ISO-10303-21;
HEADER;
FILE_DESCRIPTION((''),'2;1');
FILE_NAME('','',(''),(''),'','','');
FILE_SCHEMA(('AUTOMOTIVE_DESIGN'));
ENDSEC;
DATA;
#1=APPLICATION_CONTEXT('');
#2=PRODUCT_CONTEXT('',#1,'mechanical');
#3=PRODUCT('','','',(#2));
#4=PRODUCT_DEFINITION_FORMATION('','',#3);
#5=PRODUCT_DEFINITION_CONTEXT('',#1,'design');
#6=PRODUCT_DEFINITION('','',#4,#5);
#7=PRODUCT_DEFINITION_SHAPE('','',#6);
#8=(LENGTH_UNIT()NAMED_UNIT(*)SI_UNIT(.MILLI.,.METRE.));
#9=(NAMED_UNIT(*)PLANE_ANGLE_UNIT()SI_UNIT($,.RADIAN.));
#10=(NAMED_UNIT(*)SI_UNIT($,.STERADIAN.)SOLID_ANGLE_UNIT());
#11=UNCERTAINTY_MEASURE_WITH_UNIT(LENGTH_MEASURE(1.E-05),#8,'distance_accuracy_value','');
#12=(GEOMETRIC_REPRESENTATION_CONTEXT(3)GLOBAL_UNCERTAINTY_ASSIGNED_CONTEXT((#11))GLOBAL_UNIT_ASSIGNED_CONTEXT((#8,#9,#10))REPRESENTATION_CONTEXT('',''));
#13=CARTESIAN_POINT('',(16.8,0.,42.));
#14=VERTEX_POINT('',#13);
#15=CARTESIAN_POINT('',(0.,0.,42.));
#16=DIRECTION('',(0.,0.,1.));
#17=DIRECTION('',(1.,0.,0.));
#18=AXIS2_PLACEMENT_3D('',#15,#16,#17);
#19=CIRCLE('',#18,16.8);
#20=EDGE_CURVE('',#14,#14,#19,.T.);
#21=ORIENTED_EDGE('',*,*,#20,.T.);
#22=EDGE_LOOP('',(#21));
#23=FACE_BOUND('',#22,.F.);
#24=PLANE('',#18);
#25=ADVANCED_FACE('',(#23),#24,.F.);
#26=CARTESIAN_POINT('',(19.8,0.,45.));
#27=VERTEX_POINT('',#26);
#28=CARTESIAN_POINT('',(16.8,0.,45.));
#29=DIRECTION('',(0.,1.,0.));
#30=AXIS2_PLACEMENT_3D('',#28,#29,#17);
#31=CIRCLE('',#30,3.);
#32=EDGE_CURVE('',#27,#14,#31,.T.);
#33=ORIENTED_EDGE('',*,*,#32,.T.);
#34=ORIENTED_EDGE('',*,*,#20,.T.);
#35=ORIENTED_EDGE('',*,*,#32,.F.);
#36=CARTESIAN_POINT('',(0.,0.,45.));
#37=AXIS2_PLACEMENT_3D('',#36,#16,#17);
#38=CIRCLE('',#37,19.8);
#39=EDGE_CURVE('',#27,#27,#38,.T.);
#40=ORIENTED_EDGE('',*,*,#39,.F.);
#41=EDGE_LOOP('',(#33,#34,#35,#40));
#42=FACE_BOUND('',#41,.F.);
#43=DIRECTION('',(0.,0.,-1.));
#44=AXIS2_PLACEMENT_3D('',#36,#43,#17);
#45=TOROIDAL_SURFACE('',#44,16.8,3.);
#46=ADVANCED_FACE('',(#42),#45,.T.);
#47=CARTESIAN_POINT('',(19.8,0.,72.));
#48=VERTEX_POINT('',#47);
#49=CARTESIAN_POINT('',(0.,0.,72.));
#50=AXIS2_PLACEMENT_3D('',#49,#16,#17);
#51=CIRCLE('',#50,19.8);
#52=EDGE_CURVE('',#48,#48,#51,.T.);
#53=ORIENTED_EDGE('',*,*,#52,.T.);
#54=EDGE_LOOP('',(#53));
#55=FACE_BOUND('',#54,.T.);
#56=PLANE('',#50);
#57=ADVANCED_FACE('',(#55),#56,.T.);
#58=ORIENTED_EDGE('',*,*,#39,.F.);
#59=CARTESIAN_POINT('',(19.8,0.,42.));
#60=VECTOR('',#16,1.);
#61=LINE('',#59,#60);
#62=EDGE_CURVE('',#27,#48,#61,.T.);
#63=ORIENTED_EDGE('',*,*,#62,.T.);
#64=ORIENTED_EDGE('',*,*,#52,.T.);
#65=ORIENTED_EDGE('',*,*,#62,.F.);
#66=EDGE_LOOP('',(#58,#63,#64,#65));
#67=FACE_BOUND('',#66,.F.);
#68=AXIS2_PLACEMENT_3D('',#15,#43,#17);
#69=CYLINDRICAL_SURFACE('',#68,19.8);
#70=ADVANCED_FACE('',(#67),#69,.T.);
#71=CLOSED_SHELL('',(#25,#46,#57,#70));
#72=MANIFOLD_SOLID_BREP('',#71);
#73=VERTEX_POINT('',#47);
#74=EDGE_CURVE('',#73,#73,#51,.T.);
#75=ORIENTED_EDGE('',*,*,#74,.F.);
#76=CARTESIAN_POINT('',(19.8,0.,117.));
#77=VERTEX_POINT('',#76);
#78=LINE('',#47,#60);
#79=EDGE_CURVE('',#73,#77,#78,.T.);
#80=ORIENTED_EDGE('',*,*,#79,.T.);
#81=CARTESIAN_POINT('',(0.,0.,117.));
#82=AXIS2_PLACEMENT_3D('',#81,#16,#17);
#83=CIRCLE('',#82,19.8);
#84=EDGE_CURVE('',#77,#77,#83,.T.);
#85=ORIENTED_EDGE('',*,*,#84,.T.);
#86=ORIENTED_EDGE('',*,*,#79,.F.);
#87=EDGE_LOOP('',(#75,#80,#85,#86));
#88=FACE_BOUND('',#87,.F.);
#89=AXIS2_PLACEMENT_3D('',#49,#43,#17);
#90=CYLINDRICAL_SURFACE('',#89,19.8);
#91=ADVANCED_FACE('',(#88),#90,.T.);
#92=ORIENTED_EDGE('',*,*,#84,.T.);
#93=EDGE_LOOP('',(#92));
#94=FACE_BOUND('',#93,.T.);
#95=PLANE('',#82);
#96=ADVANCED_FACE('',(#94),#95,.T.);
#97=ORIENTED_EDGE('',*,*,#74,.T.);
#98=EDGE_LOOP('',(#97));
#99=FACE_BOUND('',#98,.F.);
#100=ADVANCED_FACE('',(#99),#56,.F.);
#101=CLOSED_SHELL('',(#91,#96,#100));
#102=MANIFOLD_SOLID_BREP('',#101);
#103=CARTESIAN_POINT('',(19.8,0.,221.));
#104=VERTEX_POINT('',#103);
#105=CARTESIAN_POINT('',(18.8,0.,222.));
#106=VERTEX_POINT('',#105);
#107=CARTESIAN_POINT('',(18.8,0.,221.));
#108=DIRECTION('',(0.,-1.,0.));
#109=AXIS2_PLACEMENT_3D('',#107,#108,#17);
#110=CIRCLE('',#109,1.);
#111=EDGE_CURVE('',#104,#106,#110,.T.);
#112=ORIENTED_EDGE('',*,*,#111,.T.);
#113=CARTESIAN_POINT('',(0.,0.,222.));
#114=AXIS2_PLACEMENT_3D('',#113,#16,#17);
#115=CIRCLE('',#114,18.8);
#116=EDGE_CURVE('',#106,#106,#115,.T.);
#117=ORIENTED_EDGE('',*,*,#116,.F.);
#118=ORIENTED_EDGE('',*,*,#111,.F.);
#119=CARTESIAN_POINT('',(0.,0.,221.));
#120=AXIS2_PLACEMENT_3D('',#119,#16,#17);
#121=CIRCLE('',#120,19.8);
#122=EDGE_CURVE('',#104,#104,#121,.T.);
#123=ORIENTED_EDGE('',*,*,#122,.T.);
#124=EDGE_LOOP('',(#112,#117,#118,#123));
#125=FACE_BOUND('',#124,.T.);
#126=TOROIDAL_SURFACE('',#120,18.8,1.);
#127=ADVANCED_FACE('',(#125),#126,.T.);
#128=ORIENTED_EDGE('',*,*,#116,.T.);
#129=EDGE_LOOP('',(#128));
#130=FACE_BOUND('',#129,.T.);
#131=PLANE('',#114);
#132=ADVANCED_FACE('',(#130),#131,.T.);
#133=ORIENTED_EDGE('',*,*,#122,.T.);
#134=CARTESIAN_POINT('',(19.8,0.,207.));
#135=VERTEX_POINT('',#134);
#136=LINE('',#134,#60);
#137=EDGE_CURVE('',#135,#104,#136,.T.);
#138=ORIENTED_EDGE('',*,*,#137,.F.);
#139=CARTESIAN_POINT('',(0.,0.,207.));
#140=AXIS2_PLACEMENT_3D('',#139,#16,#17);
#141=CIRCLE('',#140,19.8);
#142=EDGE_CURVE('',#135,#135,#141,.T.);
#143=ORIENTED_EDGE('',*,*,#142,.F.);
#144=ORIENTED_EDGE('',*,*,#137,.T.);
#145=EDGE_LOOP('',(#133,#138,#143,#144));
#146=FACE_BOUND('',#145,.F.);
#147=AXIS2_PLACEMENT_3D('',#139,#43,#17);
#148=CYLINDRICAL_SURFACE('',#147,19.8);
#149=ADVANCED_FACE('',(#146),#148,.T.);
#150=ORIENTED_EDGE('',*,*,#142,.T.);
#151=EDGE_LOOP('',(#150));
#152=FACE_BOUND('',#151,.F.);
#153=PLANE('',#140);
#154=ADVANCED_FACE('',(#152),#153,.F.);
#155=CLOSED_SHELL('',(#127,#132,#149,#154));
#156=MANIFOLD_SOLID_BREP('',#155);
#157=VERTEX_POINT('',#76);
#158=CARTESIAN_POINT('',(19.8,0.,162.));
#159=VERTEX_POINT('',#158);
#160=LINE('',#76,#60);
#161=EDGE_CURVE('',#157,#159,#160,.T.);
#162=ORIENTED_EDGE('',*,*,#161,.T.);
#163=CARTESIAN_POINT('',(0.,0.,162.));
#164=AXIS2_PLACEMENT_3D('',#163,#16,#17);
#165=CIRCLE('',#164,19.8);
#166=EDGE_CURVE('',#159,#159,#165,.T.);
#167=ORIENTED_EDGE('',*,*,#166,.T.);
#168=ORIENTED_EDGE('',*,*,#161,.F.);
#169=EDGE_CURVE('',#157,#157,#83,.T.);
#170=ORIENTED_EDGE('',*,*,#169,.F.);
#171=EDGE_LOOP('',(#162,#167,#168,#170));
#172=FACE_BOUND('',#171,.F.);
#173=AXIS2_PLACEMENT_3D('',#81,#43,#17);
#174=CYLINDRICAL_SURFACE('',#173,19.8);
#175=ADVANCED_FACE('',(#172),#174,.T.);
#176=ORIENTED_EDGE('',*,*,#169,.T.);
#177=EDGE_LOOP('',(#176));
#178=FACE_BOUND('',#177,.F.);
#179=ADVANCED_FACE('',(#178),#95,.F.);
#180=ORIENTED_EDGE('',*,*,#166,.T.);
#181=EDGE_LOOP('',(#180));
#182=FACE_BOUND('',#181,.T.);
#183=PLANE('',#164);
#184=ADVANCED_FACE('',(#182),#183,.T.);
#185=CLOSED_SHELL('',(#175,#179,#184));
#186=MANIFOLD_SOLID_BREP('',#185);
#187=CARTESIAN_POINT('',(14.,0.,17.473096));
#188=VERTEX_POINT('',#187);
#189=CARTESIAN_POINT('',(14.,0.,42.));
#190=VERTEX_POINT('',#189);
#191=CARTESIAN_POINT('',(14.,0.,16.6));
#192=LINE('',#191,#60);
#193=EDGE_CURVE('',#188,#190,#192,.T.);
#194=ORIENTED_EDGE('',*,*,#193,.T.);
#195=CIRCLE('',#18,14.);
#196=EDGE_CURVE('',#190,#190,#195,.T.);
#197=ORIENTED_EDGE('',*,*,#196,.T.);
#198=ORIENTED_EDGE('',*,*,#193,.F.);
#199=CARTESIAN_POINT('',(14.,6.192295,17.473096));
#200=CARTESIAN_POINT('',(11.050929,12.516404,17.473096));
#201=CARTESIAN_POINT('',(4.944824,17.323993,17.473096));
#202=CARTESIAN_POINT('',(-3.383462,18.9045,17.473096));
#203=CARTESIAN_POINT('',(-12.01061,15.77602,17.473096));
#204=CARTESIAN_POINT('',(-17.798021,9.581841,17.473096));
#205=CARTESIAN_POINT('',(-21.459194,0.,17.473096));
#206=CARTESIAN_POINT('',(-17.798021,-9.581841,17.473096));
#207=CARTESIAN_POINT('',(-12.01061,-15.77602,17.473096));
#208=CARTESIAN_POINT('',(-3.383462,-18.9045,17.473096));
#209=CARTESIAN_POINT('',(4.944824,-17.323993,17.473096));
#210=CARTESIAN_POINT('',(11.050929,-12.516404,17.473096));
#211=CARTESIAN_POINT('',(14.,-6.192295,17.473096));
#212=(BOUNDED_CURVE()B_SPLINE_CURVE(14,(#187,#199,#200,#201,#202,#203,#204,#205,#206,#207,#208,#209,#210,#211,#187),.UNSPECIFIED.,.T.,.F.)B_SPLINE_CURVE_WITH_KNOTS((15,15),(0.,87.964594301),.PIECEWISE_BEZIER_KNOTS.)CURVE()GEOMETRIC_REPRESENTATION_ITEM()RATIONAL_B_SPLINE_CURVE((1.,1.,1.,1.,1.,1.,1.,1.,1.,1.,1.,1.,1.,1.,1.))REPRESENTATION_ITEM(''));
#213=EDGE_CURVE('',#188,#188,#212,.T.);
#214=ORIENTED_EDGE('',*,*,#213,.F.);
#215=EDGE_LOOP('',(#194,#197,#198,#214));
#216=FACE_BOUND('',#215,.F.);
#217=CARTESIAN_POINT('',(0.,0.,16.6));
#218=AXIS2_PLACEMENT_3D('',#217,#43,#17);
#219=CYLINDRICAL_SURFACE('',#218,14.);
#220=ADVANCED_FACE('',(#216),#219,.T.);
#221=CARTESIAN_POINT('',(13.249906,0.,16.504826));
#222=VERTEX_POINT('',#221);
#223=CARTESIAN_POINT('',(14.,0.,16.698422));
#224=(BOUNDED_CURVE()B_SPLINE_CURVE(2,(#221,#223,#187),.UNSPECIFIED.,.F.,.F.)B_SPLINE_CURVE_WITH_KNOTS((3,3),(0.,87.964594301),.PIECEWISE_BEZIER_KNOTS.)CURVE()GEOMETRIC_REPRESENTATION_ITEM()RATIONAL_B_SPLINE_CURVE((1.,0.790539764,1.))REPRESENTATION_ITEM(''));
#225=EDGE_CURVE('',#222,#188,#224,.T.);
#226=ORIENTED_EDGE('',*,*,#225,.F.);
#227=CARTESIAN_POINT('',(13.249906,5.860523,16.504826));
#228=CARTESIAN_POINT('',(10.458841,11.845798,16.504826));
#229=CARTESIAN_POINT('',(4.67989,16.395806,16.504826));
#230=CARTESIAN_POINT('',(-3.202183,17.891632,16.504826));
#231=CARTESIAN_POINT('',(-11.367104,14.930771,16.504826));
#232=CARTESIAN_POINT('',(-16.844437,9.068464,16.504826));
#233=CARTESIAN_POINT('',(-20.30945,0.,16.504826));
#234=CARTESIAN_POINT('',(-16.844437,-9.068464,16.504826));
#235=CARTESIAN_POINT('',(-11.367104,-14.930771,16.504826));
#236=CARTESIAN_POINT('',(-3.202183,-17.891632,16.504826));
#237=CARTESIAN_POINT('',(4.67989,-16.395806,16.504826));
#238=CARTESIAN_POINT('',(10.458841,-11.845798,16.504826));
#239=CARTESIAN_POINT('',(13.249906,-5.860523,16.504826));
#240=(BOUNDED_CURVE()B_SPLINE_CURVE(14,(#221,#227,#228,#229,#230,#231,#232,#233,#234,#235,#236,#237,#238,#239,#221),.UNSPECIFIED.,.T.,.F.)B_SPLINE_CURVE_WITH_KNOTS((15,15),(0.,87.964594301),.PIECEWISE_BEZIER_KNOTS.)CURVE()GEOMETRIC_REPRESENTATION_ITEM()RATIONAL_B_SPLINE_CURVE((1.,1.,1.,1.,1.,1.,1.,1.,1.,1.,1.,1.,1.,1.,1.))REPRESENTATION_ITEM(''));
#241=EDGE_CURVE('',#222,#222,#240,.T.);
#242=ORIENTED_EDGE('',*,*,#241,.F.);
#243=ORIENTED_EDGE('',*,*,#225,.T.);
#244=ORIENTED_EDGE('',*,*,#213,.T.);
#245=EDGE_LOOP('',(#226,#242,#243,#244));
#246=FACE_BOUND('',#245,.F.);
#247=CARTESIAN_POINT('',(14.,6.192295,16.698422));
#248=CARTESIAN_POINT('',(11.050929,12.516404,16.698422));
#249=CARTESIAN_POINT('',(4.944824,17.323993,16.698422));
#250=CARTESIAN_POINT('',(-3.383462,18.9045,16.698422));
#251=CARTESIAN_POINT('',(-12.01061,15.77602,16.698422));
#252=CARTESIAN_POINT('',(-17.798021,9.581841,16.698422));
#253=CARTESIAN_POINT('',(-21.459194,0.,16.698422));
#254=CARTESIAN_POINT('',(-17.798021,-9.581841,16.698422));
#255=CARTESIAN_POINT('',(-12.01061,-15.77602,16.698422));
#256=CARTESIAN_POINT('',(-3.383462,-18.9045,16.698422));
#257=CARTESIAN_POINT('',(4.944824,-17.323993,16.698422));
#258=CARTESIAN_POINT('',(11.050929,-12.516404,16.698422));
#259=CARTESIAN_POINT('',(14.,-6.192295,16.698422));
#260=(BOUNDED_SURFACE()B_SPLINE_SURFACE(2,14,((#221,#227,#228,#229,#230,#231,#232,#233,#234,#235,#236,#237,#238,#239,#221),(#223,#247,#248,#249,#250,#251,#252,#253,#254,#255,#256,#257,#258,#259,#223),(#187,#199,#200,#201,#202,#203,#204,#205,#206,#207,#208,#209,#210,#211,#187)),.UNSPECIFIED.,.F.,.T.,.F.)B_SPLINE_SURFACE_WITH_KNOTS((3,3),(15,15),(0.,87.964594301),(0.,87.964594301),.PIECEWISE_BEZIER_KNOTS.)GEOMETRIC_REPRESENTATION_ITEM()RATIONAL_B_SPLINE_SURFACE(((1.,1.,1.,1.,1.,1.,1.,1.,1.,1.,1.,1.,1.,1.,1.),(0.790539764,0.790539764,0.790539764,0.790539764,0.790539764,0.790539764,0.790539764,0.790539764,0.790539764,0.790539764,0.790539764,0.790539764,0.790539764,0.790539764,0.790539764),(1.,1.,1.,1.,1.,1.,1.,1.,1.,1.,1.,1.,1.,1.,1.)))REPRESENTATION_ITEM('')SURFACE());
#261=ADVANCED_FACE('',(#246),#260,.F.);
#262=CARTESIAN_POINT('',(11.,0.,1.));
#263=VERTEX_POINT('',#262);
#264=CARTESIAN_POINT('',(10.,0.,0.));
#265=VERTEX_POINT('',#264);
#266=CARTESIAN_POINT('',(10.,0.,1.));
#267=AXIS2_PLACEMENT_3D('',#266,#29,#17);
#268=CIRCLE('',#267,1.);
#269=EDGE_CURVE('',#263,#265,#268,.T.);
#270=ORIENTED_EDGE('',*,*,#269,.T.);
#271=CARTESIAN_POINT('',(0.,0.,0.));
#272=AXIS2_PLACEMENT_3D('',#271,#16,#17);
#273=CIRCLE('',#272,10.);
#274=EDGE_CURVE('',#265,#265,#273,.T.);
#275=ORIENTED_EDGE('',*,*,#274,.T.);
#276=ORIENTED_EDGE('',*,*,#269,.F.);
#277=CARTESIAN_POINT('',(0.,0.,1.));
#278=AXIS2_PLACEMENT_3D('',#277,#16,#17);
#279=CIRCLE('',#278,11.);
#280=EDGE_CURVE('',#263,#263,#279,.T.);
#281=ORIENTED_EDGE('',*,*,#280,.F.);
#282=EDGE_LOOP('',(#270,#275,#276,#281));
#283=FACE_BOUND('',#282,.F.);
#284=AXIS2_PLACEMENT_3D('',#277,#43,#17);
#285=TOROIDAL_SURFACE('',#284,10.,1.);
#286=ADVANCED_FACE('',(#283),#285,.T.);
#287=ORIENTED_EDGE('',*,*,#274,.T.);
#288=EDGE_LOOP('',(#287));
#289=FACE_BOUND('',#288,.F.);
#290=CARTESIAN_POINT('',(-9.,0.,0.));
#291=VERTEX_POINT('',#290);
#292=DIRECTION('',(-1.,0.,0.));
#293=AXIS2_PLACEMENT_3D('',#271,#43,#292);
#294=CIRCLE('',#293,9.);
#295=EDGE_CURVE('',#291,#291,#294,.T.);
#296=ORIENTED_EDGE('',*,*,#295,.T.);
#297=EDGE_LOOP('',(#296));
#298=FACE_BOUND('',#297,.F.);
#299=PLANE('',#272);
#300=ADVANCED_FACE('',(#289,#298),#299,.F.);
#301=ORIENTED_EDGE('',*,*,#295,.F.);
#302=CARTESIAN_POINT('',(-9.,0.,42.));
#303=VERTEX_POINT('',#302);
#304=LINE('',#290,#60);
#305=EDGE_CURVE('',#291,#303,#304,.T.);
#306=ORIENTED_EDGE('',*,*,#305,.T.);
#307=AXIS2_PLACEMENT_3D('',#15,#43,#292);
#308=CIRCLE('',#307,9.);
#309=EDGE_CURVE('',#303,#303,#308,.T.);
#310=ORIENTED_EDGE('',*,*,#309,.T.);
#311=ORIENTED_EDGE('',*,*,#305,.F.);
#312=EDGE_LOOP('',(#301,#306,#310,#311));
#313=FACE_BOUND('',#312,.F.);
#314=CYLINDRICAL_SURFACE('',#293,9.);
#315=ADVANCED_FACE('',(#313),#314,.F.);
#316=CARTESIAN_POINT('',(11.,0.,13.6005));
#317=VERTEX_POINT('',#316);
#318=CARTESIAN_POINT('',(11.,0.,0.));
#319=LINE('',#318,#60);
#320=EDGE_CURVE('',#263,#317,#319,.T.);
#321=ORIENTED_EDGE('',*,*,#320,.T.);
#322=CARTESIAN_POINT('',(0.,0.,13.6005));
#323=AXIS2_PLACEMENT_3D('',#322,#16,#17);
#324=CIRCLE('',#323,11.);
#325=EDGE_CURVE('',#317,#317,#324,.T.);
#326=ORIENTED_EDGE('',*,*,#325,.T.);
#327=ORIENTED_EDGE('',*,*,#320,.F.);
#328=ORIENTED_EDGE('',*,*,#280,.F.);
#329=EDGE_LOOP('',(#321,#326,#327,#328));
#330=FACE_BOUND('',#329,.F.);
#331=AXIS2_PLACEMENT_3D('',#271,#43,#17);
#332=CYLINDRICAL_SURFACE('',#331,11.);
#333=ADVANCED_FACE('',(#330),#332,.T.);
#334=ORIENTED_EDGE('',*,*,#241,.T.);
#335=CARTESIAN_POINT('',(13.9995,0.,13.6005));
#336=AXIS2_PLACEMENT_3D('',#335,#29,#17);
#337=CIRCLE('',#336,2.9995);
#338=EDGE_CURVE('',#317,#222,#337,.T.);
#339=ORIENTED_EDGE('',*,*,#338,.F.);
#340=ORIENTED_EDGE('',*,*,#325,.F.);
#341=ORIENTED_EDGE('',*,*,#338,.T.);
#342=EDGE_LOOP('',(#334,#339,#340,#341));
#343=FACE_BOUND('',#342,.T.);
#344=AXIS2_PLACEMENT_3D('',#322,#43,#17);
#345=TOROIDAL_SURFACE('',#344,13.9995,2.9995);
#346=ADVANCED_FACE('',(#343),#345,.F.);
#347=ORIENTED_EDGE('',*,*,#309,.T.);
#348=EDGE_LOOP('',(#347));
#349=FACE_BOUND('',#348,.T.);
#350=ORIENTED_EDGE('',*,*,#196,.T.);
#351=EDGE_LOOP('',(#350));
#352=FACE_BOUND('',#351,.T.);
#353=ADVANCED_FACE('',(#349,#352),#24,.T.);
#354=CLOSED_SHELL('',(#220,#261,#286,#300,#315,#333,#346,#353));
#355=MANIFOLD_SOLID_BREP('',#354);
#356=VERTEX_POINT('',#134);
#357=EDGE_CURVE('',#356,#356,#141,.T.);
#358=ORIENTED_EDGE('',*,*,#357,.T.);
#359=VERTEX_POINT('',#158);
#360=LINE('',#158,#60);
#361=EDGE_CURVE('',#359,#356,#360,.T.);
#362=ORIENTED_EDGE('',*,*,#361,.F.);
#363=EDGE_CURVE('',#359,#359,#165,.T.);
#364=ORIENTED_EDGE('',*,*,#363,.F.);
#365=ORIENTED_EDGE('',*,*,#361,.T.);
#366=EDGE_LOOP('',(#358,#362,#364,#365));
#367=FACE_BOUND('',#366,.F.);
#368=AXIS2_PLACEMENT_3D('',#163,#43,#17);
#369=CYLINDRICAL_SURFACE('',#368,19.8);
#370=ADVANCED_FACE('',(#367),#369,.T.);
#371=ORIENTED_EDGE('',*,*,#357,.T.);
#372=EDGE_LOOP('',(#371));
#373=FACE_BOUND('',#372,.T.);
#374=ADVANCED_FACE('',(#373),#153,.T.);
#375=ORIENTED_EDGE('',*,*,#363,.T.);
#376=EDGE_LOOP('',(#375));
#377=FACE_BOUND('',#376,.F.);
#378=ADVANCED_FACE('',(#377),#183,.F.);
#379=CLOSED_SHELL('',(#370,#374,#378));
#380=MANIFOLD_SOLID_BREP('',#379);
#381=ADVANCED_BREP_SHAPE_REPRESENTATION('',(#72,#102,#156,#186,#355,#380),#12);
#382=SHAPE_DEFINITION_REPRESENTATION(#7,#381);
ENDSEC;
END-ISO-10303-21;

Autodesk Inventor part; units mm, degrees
ref_plane "YZ Plane" through (0, 0, 0) normal (1, 0, 0) x (0, 1, 0)
ref_plane "XZ Plane" through (0, 0, 0) normal (0, 1, 0) x (-1, 0, 0)
ref_plane "XY Plane" through (0, 0, 0) normal (0, 0, 1) x (1, 0, 0)
sketch "Sketch1" plane through (0, 0, 0) normal (0, 0, 1) x (1, 0, 0)
  circle A0 centre (0, 0) radius 11
  dimension "d0" = 22
extrude "Extrusion1" add sketch "Sketch1" along normal blind 16.6
sketch "Sketch2" plane through (0, 0, 16.6) normal (0, 0, 1) x (1, 0, 0)
  circle A0 centre (0, 0) radius 14
  dimension "d3" = 28
extrude "Extrusion2" add sketch "Sketch2" along normal blind 25.4
sketch "Sketch3" plane through (0, 0, 0) normal (0, 0, -1) x (-1, 0, 0)
  circle A0 centre (0, 0) radius 9
  dimension "d6" = 18
extrude "Extrusion3" cut sketch "Sketch3" against normal through all
fillet "Fillet1" radius 1 1 edges at (-11, 0, 0)
fillet "Fillet2" radius 3 1 edges at (-11, 0, 16.6)
sketch "Sketch4" plane through (0, 0, 42) normal (0, 0, 1) x (1, 0, 0)
  circle A0 centre (0, 0) radius 19.8
  dimension "d11" = 39.6
extrude "Extrusion4" add sketch "Sketch4" along normal blind 30 separate body
sketch "Sketch5" plane through (0, 0, 72) normal (0, 0, 1) x (1, 0, 0)
  circle A0 centre (0, 0) radius 19.8
extrude "Extrusion5" add sketch "Sketch5" along normal blind 45 separate body
sketch "Sketch6" plane through (0, 0, 117) normal (0, 0, 1) x (1, 0, 0)
  circle A0 centre (0, 0) radius 19.8
extrude "Extrusion6" add sketch "Sketch6" along normal blind 45 separate body
sketch "Sketch7" plane through (0, 0, 162) normal (0, 0, 1) x (1, 0, 0)
  circle A0 centre (0, 0) radius 19.8
extrude "Extrusion7" add sketch "Sketch7" along normal blind 45 separate body
sketch "Sketch8" plane through (0, 0, 207) normal (0, 0, 1) x (1, 0, 0)
  circle A0 centre (0, 0) radius 19.8
extrude "Extrusion8" add sketch "Sketch8" along normal blind 15 separate body
fillet "Fillet3" radius 1 2 edges at (-13.9995, 0, 16.6) (-14, 0, 16.6)
fillet "Fillet4" radius 3 1 edges at (-19.8, 0, 42)
fillet "Fillet5" radius 1 1 edges at (-19.8, 0, 222)
properties part number "Light Stack"
